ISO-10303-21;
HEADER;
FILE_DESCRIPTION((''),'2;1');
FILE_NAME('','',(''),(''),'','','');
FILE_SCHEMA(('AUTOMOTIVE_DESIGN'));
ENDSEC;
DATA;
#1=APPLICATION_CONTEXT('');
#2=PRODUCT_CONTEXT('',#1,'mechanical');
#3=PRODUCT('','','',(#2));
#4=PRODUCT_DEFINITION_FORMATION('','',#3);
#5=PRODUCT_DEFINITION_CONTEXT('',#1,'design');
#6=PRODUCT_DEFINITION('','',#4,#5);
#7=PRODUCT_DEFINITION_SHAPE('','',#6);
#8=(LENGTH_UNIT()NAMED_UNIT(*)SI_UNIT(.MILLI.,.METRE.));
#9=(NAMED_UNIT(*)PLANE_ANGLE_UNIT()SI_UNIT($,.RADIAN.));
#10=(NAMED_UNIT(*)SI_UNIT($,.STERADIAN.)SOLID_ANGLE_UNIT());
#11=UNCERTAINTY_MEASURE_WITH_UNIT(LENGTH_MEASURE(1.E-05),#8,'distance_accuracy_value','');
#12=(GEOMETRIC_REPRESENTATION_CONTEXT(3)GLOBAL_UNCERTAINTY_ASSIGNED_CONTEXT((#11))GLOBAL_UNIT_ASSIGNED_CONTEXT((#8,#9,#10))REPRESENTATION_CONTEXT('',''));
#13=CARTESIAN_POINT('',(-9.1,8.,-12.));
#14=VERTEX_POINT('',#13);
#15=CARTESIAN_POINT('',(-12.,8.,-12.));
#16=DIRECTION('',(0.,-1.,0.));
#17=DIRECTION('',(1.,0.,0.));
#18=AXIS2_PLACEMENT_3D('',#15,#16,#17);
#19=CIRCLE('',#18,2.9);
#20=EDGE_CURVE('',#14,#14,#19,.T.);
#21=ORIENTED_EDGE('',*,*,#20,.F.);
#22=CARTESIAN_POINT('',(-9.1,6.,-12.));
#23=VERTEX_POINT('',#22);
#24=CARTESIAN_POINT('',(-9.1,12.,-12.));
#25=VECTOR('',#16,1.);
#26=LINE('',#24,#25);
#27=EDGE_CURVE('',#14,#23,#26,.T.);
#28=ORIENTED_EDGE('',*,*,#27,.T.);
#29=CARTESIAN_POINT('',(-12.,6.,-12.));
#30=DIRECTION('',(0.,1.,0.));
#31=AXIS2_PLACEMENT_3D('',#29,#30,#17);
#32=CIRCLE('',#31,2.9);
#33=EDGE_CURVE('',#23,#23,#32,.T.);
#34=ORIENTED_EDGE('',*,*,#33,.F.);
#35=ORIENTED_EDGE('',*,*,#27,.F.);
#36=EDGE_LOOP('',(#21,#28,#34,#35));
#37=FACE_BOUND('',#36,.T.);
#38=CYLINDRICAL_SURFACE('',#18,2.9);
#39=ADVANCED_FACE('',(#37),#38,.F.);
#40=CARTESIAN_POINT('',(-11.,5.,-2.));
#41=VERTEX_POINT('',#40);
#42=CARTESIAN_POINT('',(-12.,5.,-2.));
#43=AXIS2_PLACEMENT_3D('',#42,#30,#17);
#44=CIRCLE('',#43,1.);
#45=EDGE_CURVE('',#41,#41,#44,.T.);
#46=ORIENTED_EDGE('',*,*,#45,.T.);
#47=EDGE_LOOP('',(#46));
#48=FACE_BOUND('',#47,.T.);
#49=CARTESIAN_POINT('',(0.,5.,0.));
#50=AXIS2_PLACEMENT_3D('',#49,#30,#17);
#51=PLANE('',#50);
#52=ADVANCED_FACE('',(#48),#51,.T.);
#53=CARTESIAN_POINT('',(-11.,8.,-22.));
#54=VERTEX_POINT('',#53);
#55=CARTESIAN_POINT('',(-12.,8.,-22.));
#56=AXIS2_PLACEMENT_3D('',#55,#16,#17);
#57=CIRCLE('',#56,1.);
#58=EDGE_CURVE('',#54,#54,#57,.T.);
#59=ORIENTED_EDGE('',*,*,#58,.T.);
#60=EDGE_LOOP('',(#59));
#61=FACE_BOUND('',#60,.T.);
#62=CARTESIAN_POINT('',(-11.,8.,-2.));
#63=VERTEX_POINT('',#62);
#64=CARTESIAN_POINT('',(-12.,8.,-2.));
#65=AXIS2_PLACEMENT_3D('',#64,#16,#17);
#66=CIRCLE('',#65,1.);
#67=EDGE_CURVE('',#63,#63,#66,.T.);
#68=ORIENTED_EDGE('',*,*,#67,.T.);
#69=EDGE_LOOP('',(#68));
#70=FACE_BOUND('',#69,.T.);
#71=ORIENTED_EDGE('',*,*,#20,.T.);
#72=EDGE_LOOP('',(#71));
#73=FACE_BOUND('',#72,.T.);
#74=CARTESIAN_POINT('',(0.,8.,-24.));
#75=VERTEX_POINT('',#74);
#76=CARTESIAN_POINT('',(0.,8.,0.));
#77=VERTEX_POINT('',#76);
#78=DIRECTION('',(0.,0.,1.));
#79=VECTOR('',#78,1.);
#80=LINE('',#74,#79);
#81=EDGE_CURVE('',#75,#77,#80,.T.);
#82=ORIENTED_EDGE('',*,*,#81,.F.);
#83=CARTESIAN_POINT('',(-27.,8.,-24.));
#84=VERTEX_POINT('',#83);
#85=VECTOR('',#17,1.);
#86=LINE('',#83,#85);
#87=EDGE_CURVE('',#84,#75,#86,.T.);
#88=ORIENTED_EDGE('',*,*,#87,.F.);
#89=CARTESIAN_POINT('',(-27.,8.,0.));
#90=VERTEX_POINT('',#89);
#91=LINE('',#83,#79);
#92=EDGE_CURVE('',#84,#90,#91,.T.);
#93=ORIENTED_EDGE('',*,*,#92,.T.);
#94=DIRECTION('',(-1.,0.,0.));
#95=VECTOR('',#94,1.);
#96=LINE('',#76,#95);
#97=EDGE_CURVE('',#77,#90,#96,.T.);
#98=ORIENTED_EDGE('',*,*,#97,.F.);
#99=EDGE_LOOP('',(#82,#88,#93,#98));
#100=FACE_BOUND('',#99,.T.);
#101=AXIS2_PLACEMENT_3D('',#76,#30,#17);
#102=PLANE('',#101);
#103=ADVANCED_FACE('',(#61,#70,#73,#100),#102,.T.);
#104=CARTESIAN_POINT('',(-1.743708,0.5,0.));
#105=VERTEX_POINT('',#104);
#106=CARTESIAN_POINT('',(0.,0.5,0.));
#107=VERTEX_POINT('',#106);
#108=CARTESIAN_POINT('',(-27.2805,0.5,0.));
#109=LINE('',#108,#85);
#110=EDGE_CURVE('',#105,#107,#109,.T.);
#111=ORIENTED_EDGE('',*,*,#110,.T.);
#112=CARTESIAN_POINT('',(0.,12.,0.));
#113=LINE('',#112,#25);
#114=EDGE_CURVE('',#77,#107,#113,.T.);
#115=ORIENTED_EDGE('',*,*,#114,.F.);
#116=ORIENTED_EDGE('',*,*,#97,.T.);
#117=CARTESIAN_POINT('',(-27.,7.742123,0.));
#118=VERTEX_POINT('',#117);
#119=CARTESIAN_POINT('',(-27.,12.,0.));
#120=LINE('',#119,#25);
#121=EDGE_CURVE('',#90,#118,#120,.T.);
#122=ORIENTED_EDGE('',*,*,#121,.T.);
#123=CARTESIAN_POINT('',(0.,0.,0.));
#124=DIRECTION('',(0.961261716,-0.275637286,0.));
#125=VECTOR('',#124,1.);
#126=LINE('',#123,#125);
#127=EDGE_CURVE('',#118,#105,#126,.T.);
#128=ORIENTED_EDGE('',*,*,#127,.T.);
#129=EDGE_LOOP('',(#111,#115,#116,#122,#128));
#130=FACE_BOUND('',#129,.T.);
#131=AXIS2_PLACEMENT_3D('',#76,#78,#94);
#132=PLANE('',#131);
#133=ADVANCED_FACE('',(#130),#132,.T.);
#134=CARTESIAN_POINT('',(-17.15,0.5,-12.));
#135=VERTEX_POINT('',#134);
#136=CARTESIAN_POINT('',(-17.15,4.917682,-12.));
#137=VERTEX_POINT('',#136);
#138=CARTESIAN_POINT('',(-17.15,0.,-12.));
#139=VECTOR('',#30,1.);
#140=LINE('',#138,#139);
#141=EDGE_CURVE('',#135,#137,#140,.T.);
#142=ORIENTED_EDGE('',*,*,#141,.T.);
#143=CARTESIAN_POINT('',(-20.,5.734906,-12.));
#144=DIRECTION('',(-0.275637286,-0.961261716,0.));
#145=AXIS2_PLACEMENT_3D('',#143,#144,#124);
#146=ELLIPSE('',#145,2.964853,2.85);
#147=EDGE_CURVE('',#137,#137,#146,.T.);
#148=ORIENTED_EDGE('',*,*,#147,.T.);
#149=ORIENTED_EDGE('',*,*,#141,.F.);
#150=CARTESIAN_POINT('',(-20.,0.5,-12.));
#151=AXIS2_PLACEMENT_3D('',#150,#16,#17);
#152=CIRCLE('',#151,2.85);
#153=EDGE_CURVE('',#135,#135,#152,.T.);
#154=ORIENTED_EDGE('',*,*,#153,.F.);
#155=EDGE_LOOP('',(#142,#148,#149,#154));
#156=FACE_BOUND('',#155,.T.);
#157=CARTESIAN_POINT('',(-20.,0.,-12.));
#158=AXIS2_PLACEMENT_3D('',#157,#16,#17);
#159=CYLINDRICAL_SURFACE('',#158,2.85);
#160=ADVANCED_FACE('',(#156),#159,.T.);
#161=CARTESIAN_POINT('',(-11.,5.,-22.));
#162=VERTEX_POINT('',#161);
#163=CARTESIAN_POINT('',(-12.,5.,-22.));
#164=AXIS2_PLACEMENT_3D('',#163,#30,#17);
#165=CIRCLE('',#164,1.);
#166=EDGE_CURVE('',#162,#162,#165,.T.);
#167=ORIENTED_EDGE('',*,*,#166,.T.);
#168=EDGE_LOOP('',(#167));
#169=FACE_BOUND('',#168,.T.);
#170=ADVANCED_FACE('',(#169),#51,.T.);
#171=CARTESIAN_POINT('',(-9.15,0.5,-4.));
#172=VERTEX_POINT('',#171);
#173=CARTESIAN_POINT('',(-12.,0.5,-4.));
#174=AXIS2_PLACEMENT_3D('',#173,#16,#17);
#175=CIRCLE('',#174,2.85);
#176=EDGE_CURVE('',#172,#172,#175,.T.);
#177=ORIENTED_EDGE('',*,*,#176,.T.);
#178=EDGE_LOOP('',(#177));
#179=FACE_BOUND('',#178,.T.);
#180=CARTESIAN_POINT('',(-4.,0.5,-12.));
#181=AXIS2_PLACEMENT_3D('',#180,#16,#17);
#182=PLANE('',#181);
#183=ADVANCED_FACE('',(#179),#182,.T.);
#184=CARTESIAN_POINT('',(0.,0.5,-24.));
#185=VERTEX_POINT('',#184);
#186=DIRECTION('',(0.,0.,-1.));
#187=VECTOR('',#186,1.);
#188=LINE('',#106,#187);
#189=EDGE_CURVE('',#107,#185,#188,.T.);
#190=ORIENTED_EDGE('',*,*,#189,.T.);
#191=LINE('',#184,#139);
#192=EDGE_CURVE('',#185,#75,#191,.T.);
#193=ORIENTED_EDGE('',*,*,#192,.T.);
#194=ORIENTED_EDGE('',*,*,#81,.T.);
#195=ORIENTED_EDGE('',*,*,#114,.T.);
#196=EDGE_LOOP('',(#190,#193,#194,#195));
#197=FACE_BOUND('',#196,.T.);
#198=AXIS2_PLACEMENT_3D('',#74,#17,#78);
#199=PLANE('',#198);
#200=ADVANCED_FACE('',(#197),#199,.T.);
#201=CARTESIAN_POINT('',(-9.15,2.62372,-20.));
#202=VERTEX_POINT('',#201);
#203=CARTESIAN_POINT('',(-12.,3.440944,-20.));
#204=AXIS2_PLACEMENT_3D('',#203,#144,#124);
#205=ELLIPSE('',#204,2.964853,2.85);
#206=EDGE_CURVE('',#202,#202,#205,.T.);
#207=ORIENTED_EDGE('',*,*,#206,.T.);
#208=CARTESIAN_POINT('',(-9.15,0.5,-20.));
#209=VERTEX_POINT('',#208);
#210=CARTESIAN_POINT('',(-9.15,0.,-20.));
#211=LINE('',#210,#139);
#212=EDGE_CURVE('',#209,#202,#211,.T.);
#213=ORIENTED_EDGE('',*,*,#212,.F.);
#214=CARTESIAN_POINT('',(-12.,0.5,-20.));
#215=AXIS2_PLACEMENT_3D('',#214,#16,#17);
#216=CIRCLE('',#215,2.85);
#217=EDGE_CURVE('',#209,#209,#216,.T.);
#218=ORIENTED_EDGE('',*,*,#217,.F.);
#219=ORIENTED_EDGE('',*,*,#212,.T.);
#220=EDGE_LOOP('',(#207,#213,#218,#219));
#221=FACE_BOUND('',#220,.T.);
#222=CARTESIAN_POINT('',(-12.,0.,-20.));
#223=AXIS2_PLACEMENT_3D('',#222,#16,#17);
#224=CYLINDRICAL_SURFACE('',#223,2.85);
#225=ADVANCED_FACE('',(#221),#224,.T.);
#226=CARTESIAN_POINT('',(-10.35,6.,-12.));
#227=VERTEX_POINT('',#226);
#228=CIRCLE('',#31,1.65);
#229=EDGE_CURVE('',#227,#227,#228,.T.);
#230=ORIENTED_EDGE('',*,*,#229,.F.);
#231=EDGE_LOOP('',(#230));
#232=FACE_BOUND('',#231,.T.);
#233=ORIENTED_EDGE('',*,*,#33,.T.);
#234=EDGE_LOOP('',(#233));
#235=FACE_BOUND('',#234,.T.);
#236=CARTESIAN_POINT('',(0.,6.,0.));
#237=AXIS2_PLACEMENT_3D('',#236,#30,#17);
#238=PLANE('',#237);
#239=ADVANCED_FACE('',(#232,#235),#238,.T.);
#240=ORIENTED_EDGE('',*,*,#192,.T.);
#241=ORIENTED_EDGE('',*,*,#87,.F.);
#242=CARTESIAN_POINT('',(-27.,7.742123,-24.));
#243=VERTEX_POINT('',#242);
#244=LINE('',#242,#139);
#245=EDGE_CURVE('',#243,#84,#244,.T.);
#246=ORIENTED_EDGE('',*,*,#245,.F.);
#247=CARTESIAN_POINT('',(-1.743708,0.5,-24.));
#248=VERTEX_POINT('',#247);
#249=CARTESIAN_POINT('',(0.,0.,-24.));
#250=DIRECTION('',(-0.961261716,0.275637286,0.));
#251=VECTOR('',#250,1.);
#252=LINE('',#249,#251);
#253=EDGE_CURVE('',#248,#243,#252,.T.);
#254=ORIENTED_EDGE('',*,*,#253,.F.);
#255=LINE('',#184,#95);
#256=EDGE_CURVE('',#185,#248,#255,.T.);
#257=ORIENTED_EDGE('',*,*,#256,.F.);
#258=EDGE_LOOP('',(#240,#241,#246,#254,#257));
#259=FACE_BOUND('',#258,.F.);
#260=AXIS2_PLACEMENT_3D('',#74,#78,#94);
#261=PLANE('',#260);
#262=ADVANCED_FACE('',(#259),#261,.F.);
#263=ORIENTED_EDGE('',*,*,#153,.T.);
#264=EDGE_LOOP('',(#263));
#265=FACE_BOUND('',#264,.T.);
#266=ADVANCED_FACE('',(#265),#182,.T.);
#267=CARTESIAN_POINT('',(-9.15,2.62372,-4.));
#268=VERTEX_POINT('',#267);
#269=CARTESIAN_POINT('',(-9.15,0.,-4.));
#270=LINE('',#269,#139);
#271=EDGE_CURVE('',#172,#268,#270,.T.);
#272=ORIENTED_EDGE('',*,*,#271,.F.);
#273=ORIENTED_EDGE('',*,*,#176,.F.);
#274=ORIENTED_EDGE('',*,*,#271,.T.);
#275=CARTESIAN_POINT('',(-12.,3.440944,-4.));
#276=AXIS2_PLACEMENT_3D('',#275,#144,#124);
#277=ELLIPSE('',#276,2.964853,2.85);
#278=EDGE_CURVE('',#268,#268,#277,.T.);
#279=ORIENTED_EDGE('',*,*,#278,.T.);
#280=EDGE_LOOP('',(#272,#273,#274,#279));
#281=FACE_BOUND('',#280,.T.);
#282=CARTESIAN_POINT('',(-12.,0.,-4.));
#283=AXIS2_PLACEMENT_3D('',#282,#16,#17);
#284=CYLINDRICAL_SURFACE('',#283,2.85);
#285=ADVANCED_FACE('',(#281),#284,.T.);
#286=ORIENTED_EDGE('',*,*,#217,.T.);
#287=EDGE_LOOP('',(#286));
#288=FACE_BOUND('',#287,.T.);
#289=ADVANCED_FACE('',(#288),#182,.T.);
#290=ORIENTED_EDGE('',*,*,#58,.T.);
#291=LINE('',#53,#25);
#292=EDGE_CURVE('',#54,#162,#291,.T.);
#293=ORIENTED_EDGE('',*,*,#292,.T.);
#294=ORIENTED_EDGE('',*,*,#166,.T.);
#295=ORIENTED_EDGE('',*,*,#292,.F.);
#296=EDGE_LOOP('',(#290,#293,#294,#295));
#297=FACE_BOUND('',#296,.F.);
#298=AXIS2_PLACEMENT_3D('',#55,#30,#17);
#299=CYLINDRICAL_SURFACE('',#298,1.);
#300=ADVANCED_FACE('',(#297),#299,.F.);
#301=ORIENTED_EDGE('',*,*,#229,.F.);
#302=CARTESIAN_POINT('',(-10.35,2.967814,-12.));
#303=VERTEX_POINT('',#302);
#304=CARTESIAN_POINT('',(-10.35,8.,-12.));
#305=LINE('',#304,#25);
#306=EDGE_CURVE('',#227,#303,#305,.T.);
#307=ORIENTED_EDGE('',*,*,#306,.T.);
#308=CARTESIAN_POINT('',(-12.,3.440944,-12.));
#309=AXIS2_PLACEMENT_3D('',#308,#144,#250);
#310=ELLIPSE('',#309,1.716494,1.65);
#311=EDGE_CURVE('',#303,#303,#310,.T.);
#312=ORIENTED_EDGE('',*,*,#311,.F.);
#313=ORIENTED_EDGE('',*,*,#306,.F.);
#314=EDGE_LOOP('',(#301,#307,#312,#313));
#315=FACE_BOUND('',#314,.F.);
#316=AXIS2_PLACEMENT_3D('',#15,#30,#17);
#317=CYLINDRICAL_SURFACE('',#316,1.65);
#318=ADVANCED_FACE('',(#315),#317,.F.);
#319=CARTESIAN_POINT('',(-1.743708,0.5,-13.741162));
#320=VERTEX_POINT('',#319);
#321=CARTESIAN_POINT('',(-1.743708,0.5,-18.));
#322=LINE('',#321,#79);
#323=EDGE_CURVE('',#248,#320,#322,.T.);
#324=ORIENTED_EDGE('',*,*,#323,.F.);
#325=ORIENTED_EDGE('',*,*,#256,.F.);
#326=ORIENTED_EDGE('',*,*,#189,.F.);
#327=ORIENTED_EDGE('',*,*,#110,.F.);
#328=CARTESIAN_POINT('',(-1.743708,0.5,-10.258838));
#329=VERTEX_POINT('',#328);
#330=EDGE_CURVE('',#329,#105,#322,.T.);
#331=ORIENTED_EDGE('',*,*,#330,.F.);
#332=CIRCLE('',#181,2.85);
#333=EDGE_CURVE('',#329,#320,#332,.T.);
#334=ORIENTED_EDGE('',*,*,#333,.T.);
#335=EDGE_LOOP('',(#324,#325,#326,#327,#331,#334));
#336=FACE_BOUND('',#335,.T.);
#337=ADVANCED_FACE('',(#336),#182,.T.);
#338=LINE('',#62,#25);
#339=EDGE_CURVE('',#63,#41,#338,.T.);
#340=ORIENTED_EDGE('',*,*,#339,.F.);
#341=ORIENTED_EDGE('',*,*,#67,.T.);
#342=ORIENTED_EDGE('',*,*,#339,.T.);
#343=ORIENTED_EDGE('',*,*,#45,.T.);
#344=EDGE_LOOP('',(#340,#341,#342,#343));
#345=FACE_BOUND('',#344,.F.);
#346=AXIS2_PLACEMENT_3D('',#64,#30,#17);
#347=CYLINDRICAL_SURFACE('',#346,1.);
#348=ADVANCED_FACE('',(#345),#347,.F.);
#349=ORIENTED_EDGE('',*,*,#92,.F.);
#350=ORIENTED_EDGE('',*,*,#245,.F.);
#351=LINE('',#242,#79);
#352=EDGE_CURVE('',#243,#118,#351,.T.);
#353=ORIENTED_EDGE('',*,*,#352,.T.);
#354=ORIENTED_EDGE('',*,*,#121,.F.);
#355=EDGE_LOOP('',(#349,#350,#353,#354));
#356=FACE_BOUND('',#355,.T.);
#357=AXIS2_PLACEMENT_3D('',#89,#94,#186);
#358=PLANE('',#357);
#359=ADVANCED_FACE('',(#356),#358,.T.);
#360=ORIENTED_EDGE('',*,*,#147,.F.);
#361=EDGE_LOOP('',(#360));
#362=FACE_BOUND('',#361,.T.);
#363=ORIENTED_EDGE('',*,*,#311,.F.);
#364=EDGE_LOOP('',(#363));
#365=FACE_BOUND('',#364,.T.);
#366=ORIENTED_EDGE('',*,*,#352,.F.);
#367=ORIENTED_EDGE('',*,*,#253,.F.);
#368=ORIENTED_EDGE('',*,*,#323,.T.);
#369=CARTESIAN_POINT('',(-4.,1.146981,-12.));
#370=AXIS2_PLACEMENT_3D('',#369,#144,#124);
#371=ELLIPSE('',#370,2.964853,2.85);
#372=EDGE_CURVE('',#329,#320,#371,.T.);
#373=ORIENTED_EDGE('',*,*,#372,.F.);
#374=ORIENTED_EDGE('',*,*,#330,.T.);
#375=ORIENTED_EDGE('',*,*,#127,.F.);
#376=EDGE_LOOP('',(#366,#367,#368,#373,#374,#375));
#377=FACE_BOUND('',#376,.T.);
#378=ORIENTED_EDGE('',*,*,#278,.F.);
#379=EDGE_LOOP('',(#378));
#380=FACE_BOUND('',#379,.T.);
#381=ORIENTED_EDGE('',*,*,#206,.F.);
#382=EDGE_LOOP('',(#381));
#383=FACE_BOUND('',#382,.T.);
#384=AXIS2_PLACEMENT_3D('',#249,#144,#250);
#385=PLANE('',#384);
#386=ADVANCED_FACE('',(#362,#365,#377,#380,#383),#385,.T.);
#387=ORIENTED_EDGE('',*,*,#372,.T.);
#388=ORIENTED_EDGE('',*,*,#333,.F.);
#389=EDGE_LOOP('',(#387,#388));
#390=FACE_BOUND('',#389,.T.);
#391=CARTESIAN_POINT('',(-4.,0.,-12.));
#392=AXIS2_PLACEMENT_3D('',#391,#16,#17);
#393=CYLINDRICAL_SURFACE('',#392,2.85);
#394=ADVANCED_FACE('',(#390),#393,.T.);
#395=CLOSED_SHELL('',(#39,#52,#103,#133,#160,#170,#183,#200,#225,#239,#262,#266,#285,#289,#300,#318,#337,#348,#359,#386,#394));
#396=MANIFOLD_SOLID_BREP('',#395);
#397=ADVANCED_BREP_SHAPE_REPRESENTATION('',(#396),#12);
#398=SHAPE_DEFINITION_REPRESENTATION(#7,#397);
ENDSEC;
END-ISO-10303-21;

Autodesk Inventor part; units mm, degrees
ref_plane "YZ Plane" through (0, 0, 0) normal (1, 0, 0) x (0, 1, 0)
ref_plane "XZ Plane" through (0, 0, 0) normal (0, 1, 0) x (-1, 0, 0)
sketch "Sketch1" plane through (0, 0, 0) normal (0, 1, 0) x (-1, 0, 0)
  line L0 (0, 0) -> (27, 0)
  line L1 (27, 0) -> (27, -24)
  line L2 (27, -24) -> (0, -24)
  line L3 (0, -24) -> (0, 0)
  dimension "d0" = 27
  dimension "d1" = 24
extrude "Extrusion1" add sketch "Sketch1" along normal blind 8
sketch "Sketch2" plane through (0, 0, -24) normal (0, 0, -1) x (-1, 0, 0)
  line L0 (0, 0) -> (27, 0) projected
  line L1 (0, 0) -> (46.1678, 13.2384)
  line L2 (0, 0) -> (48.0283, 0) construction
  line L3 (0, 8) -> (27, 8) projected
  line L4 (27, 0) -> (27, 8) projected
  line L5 (0, 8) -> (27, 8)
  line L6 (27, 8) -> (27, 0)
  line L7 (27, 0) -> (0, 0)
  line L8 (0, 0) -> (0, 8)
  point P0 (27, 7.7421)
  dimension "d4" = 16
extrude "Extrusion2" cut sketch "Sketch2" against normal blind 30 contours L1 L4 L0
ref_plane "Work Plane1" through (0, 0, 0) normal (0, -1, 0) x (1, 0, 0)
sketch "Sketch3" plane through (0, 0, 0) normal (0, -1, 0) x (1, 0, 0)
  line L0 (0, 0) -> (0, -24) projected
  line L1 (0, -12) -> (-4, -12)
  circle A0 centre (-4, -12) radius 2.85
  line L2 (-4, -12) -> (-20, -12)
  line L3 (-12, -12) -> (-12, -20)
  line L4 (-12, -20) -> (-12, -4)
  circle A1 centre (-12, -20) radius 2.85
  circle A2 centre (-20, -12) radius 2.85
  circle A3 centre (-12, -4) radius 2.85
  dimension "d8" = 4
  dimension "d9" = 5.7
  dimension "d10" = 16
  dimension "d11" = 8
  dimension "d12" = 16
  dimension "d13" = 5.7
  dimension "d14" = 5.7
  dimension "d15" = 5.7
extrude "Extrusion3" add sketch "Sketch3" against normal blind 8
sketch "Sketch4" plane through (-4, 0, -12) normal (0, -1, 0) x (1, 0, 0)
  line L0 (4, 12) -> (4, -12) projected
  line L1 (4, -12) -> (-23.2805, -12)
  line L2 (-23.2805, -12) -> (-23.2805, 12)
  line L3 (-23.2805, 12) -> (4, 12)
  line L4 (4, 12) -> (4, -12)
extrude "Extrusion4" cut sketch "Sketch4" against normal blind 0.5
sketch "Sketch5" plane through (0, 8, 0) normal (0, 1, 0) x (1, 0, 0)
  line L0 (0, 0) -> (0, 24) projected
  line L1 (-27, 24) -> (-27, 0) projected
  line L2 (0, 0) -> (-27, 0)
  line L3 (-27, 0) -> (-27, 24)
  line L4 (-27, 24) -> (0, 24)
  line L5 (0, 24) -> (0, 0)
  circle A0 centre (-12, 4) radius 2.85 projected
  circle A1 centre (-12, 20) radius 2.85 projected
  line L6 (-12, 4) -> (-12, 20)
  arc A2 (-1.7437, 13.7412) -> (-1.7437, 10.2588) centre (-4, 12) ccw projected
  circle A3 centre (-20, 12) radius 2.85 projected
  line L7 (-4, 12) -> (-20, 12)
  circle A4 centre (-12, 12) radius 1.65
  dimension "d20" = 3.3
extrude "Extrusion5" cut sketch "Sketch5" against normal blind 30 contours A4 L7 L6 | L6 L7 A4 | L7 A4 L6 | L6 A4 L7
sketch "Sketch6" plane through (0, 8, 0) normal (0, 1, 0) x (1, 0, 0)
  circle A0 centre (-12, 12) radius 1.65 projected
  circle A1 centre (-12, 12) radius 2.9
  point P0 (0, 0)
  dimension "d23" = 5.8
extrude "Extrusion6" cut sketch "Sketch6" against normal blind 2
sketch "Sketch7" plane through (0, 8, 0) normal (0, 1, 0) x (1, 0, 0)
  line L0 (0, 24) -> (-27, 24) projected
  line L1 (0, 0) -> (-27, 0)
  line L2 (-27, 0) -> (-27, 24)
  line L3 (-27, 24) -> (0, 24)
  line L4 (0, 24) -> (0, 0)
  circle A0 centre (-12, 12) radius 1.65 projected
  circle A1 centre (-12, 12) radius 2.9
extrude "Extrusion7" add sketch "Sketch7" along normal blind 4 contours L4 L1 L2 L0
sketch "Sketch8" plane through (0, 12, 0) normal (0, 1, 0) x (1, 0, 0)
  circle A0 centre (-12, 12) radius 2.9 projected
  line L0 (-12, 12) -> (-12, -7.1279)
  line L1 (-27, 0) -> (0, 0) projected
  line L2 (-12, 12) -> (3.3617, 12)
  line L3 (3.3617, 12) -> (3.3617, -5.9927)
  line L4 (3.3617, -5.9927) -> (-12, -5.9927)
  line L5 (-12, -5.9927) -> (-12, 12)
  line L6 (-12, 12) -> (-14, 12)
  line L7 (-14, 12) -> (-14, -1.5388)
  line L8 (-12, 12) -> (-12, 14)
  line L9 (-12, 14) -> (5.1891, 14)
  line L10 (-14, -1.5388) -> (5.1891, -1.5388)
  line L11 (5.1891, -1.5388) -> (5.1891, 14)
  line L12 (5.1891, 14) -> (-14, 14)
  line L13 (-14, 14) -> (-14, -1.5388)
  point P0 (-14, 9.9)
  point P1 (-14, 0)
  point P2 (-12, 0)
  point P3 (-12, -1.5388)
  point P4 (-9.9, 14)
  dimension "d28" = 2
  dimension "d29" = 2
extrude "Extrusion8" cut sketch "Sketch8" against normal blind 4 contours L2 L3 L10 L0 A0 | A0 L9 L11 L10 L3 L2 | L0 L1 L7 A0
sketch "Sketch10" plane through (0, 12, 0) normal (0, 1, 0) x (1, 0, 0)
  line L0 (0, 14) -> (0, 0) projected
  line L1 (-27, 24) -> (-27, 0) projected
  line L2 (0, 0) -> (-27, 0)
  line L3 (-27, 0) -> (-27, 24)
  line L4 (-27, 24) -> (0, 24)
  line L5 (0, 24) -> (0, 0)
extrude "Extrusion10" cut sketch "Sketch10" against normal blind 4
sketch "Sketch11" plane through (0, 8, 0) normal (0, 1, 0) x (1, 0, 0)
  line L0 (-1.7437, 24) -> (-27, 24) projected
  line L1 (-27, 24) -> (0, 24)
  line L2 (0, 24) -> (-13.5, 24)
  line L3 (-13.5, 24) -> (-13.5, 22)
  line L4 (-27, 0) -> (-1.7437, 0) projected
  line L5 (-27, 0) -> (0, 0)
  circle A0 centre (-12, 12) radius 1.65 projected
  line L6 (-12, 12) -> (-12, -4.3562)
  line L7 (-12, -4.3562) -> (-12, 27.2097)
  line L8 (-1.7437, 0) -> (0, 0) projected
  line L9 (-27, 24) -> (-27, 0) projected
  line L10 (0, 0) -> (-27, 0)
  line L11 (-27, 0) -> (-27, 24)
  line L12 (-27, 24) -> (0, 24)
  line L13 (0, 24) -> (0, 0)
  line L14 (-12, 0) -> (-12, 2)
  line L15 (-12, 24) -> (-12, 22)
  circle A1 centre (-12, 22) radius 1
  circle A2 centre (-12, 2) radius 1
  dimension "d36" = 2
  dimension "d37" = 2
  dimension "d38" = 2
  dimension "d39" = 2
  dimension "d40" = 2
extrude "Extrusion11" cut sketch "Sketch11" against normal blind 3 contours A1 L7 | L7 A1 | A2 L6 | L6 A2
properties part number "aruco_attachment_v1"
